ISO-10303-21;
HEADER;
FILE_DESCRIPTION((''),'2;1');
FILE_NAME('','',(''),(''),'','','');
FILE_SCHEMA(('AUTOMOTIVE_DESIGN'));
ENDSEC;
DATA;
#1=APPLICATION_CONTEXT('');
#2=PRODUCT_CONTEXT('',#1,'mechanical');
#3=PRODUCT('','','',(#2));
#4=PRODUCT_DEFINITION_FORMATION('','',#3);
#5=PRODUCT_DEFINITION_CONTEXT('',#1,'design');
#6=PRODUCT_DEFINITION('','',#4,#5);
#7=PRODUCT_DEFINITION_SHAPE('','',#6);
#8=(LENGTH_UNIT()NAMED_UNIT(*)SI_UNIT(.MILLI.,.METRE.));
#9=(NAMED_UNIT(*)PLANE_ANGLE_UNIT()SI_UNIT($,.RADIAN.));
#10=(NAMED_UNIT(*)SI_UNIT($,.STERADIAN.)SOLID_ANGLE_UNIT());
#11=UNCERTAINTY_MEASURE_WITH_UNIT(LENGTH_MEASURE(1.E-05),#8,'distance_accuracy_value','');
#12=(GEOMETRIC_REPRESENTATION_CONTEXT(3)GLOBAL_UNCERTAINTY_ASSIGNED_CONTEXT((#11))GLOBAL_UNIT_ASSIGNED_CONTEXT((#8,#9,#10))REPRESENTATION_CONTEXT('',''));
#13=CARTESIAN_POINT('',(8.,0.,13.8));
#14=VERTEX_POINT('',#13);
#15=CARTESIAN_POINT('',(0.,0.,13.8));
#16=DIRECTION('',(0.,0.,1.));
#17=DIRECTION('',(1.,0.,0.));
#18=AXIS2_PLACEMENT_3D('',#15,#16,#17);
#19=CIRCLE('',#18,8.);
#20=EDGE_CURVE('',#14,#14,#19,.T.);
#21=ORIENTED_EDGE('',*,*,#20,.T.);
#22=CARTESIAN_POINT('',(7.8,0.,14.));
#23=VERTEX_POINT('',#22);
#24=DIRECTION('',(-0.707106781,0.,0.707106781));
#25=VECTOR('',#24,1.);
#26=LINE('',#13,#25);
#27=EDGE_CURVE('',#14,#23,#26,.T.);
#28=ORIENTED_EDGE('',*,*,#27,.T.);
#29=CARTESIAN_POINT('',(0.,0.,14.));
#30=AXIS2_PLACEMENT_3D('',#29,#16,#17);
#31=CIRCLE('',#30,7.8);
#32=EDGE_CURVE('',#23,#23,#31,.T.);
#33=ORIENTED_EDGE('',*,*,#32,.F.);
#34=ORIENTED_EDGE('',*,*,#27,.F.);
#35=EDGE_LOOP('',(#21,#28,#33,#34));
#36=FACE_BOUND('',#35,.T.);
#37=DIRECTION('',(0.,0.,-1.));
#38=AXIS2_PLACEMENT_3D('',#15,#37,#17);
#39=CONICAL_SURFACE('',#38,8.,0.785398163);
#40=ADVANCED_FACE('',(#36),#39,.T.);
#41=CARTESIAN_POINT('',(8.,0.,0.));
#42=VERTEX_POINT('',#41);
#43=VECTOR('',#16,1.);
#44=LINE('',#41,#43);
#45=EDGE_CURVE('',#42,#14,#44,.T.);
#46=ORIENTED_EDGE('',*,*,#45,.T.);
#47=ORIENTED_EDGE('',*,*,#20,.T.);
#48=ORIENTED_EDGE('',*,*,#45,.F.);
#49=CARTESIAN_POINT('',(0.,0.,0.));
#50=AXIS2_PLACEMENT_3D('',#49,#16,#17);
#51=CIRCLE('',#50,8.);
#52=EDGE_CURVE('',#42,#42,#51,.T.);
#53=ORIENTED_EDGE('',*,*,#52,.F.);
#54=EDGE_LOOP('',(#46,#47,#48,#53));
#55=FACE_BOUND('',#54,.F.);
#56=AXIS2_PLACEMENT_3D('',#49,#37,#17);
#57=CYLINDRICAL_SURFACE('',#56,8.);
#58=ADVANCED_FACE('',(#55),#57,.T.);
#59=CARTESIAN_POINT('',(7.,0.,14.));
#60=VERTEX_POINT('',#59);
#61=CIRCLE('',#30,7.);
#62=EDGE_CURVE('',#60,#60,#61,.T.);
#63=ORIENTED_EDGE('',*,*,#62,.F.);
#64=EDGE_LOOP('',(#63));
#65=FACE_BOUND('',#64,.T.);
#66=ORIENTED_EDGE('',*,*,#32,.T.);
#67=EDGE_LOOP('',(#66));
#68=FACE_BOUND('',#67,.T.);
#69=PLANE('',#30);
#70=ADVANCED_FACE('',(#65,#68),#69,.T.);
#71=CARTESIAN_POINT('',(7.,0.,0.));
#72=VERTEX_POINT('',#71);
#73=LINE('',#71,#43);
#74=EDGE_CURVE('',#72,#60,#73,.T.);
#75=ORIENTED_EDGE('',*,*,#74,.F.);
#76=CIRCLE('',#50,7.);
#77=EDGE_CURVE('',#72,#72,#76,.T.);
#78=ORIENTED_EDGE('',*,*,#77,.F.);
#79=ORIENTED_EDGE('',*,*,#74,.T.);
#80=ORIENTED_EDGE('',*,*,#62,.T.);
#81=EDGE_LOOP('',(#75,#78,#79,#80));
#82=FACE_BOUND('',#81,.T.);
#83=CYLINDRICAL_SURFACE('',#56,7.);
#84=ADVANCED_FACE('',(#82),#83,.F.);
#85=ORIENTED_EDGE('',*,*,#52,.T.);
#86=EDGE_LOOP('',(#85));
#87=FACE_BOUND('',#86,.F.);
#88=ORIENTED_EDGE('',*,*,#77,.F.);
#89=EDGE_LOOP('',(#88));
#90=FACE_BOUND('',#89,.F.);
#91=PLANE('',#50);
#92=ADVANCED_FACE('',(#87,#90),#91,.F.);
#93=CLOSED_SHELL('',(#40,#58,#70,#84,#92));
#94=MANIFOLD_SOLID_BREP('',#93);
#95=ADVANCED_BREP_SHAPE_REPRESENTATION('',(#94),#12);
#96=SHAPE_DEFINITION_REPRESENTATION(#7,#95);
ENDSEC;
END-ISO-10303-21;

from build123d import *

# Parameters (mm, degrees)
SKETCH_R     = 8
SKETCH_R_2   = 7
PAD_DEPTH    = 14
CHAMFER_SIZE = 0.2


with BuildPart() as part:
    # Sketch → Pad (new body)
    with BuildSketch(Plane.XY):
        Circle(SKETCH_R)
        Circle(SKETCH_R_2, mode=Mode.SUBTRACT)
    extrude(amount=PAD_DEPTH)

    # Chamfer
    chamfer_edges = [part.edges().sort_by_distance(p)[0] for p in [
        (-8, 0, 14),
    ]]
    chamfer(chamfer_edges, length=CHAMFER_SIZE)


solid = part.part
